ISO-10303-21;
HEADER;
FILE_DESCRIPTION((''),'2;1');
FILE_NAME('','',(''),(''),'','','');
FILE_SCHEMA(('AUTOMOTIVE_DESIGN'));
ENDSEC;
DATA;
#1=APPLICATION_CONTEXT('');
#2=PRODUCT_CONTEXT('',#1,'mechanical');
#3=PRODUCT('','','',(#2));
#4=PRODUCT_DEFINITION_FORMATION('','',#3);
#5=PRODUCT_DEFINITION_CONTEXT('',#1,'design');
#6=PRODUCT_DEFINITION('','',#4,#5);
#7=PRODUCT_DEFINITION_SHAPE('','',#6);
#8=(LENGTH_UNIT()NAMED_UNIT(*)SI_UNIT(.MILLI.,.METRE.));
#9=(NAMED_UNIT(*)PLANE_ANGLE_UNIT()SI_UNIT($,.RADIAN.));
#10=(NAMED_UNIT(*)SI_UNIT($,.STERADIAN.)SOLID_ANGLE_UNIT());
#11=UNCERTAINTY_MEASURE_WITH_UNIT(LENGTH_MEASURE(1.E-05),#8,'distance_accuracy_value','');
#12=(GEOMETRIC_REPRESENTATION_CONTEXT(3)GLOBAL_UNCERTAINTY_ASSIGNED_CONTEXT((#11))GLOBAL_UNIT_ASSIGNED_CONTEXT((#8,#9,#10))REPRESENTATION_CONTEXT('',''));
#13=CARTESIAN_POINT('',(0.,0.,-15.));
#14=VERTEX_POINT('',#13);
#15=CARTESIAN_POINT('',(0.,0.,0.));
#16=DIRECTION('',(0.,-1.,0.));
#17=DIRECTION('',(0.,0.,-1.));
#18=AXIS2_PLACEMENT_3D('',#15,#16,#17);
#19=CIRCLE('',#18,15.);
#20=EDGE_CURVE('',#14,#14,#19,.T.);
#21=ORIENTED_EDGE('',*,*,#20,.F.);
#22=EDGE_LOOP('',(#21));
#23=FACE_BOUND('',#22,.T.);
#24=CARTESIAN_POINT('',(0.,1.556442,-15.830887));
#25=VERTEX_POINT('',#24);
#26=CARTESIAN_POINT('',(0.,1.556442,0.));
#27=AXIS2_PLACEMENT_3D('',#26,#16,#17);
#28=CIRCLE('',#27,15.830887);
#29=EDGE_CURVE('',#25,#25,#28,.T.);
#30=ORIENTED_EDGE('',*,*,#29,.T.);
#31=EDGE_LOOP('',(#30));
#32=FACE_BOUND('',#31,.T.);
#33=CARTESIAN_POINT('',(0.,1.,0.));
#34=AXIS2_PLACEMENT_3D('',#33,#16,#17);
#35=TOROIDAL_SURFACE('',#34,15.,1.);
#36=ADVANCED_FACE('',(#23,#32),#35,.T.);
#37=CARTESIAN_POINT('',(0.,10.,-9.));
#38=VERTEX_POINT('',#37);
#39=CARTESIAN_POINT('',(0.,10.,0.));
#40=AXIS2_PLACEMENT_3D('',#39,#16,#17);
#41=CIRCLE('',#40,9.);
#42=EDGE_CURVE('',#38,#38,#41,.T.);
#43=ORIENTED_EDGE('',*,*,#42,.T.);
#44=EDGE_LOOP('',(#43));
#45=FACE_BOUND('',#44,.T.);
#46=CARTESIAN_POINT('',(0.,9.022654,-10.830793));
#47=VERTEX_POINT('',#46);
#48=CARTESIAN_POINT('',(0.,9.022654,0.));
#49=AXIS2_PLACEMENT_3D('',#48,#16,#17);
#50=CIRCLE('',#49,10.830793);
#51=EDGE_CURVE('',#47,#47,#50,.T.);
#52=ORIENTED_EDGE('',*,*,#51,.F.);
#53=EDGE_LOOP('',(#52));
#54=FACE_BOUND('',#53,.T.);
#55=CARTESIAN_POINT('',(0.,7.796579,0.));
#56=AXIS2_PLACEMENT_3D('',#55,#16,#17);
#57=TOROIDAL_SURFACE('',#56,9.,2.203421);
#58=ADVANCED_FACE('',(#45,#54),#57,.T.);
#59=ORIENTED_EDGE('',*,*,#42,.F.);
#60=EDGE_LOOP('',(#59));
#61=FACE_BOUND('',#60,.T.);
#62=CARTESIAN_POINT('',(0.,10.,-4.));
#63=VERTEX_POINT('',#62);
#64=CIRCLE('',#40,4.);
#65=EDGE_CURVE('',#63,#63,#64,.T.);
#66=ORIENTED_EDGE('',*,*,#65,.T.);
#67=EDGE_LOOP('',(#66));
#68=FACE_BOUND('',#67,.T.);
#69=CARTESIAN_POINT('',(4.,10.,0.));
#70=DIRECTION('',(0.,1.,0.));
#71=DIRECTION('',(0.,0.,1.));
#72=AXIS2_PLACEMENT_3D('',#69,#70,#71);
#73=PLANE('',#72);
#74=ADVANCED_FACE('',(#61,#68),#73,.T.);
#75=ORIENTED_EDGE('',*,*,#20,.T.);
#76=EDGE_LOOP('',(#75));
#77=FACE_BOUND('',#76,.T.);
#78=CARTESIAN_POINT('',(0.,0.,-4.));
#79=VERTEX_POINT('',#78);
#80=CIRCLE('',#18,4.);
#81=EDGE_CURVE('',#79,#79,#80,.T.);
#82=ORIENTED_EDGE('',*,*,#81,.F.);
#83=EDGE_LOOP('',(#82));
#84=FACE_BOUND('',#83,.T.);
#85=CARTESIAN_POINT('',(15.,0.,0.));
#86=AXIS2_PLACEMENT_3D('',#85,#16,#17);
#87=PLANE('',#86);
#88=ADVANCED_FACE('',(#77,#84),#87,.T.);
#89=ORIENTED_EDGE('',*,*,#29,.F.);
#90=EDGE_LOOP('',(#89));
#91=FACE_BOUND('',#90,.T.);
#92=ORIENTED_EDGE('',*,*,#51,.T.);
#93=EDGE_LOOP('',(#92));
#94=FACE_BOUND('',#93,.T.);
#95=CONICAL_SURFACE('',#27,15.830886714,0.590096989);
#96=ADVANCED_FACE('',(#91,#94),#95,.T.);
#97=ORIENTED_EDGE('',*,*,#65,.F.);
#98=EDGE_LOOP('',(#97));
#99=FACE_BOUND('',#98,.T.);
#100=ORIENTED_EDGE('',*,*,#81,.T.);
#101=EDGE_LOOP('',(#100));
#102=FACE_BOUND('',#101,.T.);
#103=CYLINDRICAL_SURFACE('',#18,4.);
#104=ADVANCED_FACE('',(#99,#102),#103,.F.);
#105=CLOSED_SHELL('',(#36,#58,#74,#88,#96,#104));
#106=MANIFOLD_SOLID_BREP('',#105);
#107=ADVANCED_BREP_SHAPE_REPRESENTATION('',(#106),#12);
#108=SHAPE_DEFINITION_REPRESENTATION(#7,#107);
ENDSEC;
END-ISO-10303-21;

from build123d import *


with BuildPart() as part:
    # Sketch1 → Revolve1 (revolve)
    with BuildSketch(Plane.XY, mode=Mode.PRIVATE) as revolve1_sk:
        with BuildLine():
            Line((4, 0), (4, 10))
            Line((4, 10), (9, 10))
            ThreePointArc((9, 10), (10.037666615, 9.740367053), (10.830793065, 9.022654224))
            Line((10.830793065, 9.022654224), (15.830886714, 1.556441612))
            ThreePointArc((15.830886714, 1.556441612), (15.882168241, 0.529065616), (15, 0))
            Line((15, 0), (4, 0))
        make_face()
    revolve(revolve1_sk.sketch.rotate(Axis((0, 0, 0), (0, 1, 0)), 90), axis=Axis((0, 0, 0), (0, 1, 0)))


solid = part.part
